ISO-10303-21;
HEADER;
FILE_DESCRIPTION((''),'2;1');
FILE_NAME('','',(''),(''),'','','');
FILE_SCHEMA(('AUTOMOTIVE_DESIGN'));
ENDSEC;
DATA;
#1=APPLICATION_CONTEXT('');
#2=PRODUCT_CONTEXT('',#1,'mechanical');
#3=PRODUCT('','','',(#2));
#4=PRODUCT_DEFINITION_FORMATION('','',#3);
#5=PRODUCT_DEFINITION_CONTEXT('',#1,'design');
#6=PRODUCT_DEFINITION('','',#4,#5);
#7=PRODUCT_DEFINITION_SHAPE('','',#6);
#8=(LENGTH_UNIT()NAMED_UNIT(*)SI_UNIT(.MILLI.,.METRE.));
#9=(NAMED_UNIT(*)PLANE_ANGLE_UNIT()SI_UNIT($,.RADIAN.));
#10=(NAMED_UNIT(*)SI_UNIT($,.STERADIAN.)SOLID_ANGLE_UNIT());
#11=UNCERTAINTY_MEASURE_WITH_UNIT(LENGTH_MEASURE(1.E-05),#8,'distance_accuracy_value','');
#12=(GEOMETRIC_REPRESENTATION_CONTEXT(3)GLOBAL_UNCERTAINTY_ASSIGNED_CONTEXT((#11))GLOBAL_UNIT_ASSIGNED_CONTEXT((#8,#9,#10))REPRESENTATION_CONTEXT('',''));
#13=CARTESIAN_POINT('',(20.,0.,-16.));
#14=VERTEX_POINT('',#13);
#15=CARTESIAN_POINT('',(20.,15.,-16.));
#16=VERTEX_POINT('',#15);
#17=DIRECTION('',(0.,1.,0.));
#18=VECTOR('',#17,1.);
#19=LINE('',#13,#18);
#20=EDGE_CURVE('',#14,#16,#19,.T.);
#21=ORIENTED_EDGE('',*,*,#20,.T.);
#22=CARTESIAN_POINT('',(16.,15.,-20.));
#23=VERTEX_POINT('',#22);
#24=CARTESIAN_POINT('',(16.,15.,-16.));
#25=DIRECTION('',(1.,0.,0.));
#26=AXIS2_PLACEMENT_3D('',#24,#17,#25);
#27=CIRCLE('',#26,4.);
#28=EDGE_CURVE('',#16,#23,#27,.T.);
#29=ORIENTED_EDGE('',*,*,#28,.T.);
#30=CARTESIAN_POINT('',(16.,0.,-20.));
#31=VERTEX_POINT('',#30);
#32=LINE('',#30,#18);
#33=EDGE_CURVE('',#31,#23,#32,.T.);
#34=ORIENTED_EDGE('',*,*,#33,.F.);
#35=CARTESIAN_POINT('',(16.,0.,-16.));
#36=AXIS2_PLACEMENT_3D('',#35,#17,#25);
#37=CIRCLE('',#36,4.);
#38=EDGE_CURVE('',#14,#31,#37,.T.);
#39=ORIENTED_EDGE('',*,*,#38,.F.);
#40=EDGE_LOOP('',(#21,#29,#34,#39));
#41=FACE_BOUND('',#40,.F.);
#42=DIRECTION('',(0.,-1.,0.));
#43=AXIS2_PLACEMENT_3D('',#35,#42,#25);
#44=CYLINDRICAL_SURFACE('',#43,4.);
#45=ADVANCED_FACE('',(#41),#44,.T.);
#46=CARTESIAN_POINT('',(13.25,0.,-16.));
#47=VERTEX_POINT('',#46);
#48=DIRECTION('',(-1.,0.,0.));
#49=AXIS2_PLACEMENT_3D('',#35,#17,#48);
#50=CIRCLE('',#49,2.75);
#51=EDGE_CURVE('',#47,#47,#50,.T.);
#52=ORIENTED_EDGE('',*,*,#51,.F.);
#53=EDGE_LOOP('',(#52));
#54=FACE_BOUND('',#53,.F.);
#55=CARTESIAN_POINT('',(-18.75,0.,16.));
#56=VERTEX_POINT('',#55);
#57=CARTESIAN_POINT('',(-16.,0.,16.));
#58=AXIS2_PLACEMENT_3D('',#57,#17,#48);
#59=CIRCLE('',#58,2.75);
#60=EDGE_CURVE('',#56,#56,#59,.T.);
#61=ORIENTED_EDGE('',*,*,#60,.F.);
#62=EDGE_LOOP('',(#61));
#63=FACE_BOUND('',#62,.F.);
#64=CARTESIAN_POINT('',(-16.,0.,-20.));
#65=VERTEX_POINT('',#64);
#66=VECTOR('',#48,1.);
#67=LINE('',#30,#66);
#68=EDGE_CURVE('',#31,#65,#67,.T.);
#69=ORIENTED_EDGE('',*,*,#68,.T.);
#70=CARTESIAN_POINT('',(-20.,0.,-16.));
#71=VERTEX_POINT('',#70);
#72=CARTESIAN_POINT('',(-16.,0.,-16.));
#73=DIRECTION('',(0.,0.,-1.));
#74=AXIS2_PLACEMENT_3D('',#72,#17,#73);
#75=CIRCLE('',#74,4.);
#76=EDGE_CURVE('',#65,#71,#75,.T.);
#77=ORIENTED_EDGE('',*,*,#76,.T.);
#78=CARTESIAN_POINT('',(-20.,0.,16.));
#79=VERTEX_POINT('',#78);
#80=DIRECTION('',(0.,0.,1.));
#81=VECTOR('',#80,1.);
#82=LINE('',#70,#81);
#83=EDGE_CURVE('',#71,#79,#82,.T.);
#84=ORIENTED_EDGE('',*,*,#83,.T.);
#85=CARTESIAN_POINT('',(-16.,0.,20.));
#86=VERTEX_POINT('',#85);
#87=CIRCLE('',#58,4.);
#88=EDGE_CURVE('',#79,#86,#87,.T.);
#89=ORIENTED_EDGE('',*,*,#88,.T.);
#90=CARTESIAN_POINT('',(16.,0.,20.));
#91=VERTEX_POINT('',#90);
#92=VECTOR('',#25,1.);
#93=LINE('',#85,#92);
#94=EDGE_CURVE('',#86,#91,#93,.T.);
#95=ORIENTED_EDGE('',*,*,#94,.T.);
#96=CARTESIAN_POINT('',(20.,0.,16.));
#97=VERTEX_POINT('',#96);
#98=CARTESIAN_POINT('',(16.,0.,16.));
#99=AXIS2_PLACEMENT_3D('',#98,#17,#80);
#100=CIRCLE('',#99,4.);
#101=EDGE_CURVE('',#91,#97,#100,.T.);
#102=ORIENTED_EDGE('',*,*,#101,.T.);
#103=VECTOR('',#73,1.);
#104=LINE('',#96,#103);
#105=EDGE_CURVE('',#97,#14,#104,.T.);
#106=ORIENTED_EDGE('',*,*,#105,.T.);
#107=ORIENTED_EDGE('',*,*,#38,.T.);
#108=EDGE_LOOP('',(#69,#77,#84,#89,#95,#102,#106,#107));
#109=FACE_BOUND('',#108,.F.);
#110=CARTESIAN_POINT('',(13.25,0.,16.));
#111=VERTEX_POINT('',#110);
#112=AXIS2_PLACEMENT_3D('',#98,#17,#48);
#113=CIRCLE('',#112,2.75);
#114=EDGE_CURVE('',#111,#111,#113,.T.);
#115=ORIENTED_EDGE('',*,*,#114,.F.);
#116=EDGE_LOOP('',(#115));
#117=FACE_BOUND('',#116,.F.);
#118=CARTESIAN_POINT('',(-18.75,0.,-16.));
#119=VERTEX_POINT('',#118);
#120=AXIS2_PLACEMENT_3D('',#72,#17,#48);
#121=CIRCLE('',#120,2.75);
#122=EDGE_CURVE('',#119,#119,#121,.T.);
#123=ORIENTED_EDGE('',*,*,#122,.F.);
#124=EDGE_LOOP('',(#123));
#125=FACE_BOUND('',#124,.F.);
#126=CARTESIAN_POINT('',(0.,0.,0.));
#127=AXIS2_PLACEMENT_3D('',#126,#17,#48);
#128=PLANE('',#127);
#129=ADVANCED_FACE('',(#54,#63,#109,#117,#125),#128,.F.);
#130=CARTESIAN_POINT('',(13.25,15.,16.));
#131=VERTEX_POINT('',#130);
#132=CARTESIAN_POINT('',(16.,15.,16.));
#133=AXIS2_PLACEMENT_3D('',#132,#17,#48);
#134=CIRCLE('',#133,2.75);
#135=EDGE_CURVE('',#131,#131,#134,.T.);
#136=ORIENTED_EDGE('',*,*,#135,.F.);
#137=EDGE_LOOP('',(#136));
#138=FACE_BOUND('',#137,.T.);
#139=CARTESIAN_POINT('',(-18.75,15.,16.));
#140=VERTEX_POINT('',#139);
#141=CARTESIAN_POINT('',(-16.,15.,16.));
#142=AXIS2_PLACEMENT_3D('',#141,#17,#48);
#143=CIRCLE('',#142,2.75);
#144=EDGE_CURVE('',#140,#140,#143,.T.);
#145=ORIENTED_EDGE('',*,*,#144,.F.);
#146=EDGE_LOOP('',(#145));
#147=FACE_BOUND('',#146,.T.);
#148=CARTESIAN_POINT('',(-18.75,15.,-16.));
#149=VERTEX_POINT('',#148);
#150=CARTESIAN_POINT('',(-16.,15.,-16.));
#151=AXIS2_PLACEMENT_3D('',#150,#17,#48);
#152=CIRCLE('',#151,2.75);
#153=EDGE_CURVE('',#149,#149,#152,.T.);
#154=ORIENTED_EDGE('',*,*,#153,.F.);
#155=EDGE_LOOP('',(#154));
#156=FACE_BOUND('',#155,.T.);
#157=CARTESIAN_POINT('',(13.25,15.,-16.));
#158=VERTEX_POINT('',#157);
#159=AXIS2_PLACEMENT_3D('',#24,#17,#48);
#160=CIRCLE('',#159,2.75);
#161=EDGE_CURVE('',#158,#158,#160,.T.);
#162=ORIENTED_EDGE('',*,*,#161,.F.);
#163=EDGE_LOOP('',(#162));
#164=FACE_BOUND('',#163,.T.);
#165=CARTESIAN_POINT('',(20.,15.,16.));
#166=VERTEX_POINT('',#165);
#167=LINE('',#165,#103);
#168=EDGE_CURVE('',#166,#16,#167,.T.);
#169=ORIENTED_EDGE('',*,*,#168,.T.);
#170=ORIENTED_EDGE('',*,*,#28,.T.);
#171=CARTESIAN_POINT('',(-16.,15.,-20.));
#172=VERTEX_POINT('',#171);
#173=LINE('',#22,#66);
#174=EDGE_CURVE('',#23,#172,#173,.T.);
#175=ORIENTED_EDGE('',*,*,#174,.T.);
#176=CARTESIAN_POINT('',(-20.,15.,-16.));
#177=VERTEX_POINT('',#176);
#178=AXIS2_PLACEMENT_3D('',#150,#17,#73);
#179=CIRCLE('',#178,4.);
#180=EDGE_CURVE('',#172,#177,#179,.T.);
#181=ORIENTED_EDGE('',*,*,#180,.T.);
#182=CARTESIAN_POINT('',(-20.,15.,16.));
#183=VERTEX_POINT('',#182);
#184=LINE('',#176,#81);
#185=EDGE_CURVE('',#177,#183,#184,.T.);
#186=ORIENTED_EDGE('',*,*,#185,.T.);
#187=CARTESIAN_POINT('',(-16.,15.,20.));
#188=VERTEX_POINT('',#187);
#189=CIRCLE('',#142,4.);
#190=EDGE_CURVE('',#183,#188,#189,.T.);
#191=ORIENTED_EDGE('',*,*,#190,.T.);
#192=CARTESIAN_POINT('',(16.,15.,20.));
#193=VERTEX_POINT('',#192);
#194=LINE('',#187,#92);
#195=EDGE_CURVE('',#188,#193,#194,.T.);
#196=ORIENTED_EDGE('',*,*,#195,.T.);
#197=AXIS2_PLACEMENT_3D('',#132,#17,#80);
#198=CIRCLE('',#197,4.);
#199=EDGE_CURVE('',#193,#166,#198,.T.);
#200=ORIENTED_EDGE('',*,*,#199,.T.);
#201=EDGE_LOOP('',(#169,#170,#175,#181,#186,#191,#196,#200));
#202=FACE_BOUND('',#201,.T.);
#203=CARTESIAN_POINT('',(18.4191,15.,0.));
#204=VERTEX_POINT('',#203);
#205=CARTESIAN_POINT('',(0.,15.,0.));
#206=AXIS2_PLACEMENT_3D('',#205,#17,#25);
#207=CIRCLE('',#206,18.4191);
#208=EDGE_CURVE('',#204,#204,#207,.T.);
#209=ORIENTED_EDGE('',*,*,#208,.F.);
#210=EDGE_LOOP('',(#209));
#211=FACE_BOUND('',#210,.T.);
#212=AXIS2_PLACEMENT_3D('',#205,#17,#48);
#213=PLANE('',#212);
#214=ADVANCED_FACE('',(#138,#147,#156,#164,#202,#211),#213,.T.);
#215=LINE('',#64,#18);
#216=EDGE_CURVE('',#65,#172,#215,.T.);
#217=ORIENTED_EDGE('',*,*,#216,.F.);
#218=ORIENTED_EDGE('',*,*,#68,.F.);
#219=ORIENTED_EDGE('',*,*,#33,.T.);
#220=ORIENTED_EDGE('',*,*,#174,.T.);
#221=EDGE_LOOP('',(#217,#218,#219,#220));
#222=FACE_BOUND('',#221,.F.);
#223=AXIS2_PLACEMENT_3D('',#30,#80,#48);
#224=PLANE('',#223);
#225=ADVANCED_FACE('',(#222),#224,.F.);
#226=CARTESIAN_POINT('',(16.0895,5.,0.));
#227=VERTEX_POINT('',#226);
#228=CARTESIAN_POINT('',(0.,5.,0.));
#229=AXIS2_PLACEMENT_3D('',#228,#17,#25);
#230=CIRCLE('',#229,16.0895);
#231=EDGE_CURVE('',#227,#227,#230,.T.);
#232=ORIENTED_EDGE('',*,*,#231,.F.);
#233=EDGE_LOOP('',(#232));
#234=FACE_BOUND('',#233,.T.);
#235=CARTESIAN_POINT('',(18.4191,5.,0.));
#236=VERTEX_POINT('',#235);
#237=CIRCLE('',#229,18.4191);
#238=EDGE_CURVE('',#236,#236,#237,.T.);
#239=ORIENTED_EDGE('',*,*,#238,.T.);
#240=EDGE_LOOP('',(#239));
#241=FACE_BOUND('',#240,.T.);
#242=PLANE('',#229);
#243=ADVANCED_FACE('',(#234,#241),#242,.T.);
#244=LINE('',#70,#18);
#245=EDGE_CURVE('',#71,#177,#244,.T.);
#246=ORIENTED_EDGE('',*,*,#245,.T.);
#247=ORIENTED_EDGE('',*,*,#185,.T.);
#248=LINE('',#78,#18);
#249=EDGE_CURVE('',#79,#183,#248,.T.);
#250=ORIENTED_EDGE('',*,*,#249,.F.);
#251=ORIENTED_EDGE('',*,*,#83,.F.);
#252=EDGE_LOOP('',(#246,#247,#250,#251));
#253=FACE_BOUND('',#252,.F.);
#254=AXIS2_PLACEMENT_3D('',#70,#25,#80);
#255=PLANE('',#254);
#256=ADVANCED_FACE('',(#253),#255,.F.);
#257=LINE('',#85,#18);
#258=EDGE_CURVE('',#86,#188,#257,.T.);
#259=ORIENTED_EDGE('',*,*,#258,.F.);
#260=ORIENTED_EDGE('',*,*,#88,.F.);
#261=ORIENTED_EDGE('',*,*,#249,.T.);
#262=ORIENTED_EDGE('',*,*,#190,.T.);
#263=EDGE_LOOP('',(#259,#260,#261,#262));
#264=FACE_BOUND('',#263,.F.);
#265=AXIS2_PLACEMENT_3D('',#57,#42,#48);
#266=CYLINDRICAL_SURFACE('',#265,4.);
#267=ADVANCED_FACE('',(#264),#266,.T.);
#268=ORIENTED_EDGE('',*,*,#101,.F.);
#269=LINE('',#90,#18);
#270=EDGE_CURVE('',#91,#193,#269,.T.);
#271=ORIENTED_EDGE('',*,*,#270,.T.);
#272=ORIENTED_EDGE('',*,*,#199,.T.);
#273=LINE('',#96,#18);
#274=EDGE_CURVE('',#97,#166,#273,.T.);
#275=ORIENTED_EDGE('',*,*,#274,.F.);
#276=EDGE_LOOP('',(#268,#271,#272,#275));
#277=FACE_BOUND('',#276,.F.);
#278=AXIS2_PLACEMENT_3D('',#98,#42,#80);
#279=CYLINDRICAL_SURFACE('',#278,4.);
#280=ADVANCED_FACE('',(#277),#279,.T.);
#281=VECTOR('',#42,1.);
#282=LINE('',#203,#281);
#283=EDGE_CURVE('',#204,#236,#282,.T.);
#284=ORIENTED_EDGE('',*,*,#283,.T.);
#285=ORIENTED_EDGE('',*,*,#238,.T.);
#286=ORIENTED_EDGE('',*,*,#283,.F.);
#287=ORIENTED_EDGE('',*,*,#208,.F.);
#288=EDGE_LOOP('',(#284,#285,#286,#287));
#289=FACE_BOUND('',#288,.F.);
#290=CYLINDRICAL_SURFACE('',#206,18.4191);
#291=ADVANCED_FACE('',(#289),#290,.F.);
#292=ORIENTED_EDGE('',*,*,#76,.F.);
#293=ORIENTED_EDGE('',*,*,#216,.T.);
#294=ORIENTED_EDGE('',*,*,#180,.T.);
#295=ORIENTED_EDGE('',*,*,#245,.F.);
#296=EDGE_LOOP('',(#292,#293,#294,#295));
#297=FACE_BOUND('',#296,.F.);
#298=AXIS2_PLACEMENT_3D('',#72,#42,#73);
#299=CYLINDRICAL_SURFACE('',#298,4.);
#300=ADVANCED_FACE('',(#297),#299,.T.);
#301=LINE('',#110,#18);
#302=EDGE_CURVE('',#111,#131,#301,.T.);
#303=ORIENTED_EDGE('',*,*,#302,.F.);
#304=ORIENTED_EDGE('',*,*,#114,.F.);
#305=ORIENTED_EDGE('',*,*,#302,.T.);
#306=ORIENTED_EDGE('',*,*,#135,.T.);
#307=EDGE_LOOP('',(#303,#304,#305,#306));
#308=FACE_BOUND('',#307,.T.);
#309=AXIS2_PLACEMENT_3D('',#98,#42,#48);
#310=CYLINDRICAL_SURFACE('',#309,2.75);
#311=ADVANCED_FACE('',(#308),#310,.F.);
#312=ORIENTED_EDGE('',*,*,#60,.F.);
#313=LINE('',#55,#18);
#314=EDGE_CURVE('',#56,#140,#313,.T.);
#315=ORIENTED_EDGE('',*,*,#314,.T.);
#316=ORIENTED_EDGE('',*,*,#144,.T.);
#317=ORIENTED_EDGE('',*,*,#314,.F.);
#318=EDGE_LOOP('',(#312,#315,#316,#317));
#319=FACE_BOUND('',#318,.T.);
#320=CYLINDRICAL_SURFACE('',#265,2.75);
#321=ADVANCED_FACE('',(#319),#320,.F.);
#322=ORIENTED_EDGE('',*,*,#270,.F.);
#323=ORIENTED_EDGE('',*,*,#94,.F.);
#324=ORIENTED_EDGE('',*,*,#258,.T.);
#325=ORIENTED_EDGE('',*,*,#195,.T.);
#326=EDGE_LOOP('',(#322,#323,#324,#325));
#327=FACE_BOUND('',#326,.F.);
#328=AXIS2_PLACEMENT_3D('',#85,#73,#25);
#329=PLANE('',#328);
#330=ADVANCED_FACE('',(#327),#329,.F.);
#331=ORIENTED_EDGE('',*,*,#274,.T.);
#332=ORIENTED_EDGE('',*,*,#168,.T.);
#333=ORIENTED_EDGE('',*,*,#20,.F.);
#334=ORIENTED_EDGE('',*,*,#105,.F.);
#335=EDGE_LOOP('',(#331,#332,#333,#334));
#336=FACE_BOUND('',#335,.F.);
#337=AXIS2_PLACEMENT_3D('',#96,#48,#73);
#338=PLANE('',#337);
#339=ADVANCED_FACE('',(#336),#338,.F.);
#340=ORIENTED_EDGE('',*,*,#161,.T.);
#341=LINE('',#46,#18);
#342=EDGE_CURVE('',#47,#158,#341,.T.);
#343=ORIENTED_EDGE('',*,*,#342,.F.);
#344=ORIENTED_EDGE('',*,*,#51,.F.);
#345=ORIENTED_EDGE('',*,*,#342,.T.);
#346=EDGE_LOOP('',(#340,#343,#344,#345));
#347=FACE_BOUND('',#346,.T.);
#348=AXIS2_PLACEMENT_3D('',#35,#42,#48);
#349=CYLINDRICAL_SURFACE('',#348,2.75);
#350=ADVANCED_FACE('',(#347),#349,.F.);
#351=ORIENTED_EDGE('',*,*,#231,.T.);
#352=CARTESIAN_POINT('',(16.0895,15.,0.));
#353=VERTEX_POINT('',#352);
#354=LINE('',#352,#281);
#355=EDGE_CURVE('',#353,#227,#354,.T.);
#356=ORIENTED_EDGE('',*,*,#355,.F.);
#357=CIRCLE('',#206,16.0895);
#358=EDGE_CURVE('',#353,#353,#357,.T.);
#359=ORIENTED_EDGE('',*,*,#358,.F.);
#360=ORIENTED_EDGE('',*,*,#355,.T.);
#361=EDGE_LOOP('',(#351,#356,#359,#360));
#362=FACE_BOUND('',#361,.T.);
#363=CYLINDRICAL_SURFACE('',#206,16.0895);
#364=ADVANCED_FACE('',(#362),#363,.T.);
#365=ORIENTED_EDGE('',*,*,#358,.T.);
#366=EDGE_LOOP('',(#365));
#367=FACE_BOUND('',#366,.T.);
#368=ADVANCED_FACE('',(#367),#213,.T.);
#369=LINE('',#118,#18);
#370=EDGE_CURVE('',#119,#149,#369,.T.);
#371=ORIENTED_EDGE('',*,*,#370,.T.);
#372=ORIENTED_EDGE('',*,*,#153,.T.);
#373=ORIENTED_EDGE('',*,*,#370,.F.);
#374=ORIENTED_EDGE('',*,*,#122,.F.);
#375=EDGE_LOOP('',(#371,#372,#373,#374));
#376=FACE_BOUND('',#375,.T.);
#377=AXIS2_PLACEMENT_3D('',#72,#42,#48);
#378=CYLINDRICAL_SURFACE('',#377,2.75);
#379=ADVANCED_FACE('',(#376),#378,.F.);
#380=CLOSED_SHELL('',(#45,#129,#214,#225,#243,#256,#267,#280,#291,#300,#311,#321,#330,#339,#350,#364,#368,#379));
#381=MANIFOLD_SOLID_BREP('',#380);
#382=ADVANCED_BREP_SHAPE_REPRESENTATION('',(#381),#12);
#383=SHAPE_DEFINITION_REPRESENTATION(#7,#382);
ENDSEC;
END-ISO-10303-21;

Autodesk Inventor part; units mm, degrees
ref_plane "YZ Plane" through (0, 0, 0) normal (1, 0, 0) x (0, 1, 0)
ref_plane "XZ Plane" through (0, 0, 0) normal (0, 1, 0) x (-1, 0, 0)
ref_plane "XY Plane" through (0, 0, 0) normal (0, 0, 1) x (1, 0, 0)
sketch "Sketch1" plane through (0, 0, 0) normal (0, 1, 0) x (-1, 0, 0)
  line L0 (16, 20) -> (-16, 20)
  line L1 (-20, 16) -> (-20, -16)
  line L2 (-16, -20) -> (16, -20)
  line L3 (20, -16) -> (20, 16)
  arc A0 (16, -20) -> (20, -16) centre (16, -16) ccw
  arc A1 (-20, -16) -> (-16, -20) centre (-16, -16) ccw
  arc A2 (20, 16) -> (16, 20) centre (16, 16) ccw
  arc A3 (-16, 20) -> (-20, 16) centre (-16, 16) ccw
  circle A4 centre (16, -16) radius 2.75
  circle A5 centre (-16, -16) radius 2.75
  circle A6 centre (16, 16) radius 2.75
  circle A7 centre (-16, 16) radius 2.75
  point P0 (0, 0)
  point P1 (-20, -20)
  point P2 (20, -20)
  point P3 (0, -20)
  point P4 (20, 0)
  dimension "d1" = 40
  dimension "d17" = 5.5
  dimension "d22" = 32
extrude "Extrusion1" add sketch "Sketch1" along normal blind 15
sketch "Sketch2" plane through (0, 15, 0) normal (0, 1, 0) x (1, 0, 0)
  circle A0 centre (0, 0) radius 18.4191
  circle A1 centre (0, 0) radius 16.0895
extrude "Extrusion2" cut sketch "Sketch2" against normal blind 10
properties part number "Fan" material "ABS Plastic"
